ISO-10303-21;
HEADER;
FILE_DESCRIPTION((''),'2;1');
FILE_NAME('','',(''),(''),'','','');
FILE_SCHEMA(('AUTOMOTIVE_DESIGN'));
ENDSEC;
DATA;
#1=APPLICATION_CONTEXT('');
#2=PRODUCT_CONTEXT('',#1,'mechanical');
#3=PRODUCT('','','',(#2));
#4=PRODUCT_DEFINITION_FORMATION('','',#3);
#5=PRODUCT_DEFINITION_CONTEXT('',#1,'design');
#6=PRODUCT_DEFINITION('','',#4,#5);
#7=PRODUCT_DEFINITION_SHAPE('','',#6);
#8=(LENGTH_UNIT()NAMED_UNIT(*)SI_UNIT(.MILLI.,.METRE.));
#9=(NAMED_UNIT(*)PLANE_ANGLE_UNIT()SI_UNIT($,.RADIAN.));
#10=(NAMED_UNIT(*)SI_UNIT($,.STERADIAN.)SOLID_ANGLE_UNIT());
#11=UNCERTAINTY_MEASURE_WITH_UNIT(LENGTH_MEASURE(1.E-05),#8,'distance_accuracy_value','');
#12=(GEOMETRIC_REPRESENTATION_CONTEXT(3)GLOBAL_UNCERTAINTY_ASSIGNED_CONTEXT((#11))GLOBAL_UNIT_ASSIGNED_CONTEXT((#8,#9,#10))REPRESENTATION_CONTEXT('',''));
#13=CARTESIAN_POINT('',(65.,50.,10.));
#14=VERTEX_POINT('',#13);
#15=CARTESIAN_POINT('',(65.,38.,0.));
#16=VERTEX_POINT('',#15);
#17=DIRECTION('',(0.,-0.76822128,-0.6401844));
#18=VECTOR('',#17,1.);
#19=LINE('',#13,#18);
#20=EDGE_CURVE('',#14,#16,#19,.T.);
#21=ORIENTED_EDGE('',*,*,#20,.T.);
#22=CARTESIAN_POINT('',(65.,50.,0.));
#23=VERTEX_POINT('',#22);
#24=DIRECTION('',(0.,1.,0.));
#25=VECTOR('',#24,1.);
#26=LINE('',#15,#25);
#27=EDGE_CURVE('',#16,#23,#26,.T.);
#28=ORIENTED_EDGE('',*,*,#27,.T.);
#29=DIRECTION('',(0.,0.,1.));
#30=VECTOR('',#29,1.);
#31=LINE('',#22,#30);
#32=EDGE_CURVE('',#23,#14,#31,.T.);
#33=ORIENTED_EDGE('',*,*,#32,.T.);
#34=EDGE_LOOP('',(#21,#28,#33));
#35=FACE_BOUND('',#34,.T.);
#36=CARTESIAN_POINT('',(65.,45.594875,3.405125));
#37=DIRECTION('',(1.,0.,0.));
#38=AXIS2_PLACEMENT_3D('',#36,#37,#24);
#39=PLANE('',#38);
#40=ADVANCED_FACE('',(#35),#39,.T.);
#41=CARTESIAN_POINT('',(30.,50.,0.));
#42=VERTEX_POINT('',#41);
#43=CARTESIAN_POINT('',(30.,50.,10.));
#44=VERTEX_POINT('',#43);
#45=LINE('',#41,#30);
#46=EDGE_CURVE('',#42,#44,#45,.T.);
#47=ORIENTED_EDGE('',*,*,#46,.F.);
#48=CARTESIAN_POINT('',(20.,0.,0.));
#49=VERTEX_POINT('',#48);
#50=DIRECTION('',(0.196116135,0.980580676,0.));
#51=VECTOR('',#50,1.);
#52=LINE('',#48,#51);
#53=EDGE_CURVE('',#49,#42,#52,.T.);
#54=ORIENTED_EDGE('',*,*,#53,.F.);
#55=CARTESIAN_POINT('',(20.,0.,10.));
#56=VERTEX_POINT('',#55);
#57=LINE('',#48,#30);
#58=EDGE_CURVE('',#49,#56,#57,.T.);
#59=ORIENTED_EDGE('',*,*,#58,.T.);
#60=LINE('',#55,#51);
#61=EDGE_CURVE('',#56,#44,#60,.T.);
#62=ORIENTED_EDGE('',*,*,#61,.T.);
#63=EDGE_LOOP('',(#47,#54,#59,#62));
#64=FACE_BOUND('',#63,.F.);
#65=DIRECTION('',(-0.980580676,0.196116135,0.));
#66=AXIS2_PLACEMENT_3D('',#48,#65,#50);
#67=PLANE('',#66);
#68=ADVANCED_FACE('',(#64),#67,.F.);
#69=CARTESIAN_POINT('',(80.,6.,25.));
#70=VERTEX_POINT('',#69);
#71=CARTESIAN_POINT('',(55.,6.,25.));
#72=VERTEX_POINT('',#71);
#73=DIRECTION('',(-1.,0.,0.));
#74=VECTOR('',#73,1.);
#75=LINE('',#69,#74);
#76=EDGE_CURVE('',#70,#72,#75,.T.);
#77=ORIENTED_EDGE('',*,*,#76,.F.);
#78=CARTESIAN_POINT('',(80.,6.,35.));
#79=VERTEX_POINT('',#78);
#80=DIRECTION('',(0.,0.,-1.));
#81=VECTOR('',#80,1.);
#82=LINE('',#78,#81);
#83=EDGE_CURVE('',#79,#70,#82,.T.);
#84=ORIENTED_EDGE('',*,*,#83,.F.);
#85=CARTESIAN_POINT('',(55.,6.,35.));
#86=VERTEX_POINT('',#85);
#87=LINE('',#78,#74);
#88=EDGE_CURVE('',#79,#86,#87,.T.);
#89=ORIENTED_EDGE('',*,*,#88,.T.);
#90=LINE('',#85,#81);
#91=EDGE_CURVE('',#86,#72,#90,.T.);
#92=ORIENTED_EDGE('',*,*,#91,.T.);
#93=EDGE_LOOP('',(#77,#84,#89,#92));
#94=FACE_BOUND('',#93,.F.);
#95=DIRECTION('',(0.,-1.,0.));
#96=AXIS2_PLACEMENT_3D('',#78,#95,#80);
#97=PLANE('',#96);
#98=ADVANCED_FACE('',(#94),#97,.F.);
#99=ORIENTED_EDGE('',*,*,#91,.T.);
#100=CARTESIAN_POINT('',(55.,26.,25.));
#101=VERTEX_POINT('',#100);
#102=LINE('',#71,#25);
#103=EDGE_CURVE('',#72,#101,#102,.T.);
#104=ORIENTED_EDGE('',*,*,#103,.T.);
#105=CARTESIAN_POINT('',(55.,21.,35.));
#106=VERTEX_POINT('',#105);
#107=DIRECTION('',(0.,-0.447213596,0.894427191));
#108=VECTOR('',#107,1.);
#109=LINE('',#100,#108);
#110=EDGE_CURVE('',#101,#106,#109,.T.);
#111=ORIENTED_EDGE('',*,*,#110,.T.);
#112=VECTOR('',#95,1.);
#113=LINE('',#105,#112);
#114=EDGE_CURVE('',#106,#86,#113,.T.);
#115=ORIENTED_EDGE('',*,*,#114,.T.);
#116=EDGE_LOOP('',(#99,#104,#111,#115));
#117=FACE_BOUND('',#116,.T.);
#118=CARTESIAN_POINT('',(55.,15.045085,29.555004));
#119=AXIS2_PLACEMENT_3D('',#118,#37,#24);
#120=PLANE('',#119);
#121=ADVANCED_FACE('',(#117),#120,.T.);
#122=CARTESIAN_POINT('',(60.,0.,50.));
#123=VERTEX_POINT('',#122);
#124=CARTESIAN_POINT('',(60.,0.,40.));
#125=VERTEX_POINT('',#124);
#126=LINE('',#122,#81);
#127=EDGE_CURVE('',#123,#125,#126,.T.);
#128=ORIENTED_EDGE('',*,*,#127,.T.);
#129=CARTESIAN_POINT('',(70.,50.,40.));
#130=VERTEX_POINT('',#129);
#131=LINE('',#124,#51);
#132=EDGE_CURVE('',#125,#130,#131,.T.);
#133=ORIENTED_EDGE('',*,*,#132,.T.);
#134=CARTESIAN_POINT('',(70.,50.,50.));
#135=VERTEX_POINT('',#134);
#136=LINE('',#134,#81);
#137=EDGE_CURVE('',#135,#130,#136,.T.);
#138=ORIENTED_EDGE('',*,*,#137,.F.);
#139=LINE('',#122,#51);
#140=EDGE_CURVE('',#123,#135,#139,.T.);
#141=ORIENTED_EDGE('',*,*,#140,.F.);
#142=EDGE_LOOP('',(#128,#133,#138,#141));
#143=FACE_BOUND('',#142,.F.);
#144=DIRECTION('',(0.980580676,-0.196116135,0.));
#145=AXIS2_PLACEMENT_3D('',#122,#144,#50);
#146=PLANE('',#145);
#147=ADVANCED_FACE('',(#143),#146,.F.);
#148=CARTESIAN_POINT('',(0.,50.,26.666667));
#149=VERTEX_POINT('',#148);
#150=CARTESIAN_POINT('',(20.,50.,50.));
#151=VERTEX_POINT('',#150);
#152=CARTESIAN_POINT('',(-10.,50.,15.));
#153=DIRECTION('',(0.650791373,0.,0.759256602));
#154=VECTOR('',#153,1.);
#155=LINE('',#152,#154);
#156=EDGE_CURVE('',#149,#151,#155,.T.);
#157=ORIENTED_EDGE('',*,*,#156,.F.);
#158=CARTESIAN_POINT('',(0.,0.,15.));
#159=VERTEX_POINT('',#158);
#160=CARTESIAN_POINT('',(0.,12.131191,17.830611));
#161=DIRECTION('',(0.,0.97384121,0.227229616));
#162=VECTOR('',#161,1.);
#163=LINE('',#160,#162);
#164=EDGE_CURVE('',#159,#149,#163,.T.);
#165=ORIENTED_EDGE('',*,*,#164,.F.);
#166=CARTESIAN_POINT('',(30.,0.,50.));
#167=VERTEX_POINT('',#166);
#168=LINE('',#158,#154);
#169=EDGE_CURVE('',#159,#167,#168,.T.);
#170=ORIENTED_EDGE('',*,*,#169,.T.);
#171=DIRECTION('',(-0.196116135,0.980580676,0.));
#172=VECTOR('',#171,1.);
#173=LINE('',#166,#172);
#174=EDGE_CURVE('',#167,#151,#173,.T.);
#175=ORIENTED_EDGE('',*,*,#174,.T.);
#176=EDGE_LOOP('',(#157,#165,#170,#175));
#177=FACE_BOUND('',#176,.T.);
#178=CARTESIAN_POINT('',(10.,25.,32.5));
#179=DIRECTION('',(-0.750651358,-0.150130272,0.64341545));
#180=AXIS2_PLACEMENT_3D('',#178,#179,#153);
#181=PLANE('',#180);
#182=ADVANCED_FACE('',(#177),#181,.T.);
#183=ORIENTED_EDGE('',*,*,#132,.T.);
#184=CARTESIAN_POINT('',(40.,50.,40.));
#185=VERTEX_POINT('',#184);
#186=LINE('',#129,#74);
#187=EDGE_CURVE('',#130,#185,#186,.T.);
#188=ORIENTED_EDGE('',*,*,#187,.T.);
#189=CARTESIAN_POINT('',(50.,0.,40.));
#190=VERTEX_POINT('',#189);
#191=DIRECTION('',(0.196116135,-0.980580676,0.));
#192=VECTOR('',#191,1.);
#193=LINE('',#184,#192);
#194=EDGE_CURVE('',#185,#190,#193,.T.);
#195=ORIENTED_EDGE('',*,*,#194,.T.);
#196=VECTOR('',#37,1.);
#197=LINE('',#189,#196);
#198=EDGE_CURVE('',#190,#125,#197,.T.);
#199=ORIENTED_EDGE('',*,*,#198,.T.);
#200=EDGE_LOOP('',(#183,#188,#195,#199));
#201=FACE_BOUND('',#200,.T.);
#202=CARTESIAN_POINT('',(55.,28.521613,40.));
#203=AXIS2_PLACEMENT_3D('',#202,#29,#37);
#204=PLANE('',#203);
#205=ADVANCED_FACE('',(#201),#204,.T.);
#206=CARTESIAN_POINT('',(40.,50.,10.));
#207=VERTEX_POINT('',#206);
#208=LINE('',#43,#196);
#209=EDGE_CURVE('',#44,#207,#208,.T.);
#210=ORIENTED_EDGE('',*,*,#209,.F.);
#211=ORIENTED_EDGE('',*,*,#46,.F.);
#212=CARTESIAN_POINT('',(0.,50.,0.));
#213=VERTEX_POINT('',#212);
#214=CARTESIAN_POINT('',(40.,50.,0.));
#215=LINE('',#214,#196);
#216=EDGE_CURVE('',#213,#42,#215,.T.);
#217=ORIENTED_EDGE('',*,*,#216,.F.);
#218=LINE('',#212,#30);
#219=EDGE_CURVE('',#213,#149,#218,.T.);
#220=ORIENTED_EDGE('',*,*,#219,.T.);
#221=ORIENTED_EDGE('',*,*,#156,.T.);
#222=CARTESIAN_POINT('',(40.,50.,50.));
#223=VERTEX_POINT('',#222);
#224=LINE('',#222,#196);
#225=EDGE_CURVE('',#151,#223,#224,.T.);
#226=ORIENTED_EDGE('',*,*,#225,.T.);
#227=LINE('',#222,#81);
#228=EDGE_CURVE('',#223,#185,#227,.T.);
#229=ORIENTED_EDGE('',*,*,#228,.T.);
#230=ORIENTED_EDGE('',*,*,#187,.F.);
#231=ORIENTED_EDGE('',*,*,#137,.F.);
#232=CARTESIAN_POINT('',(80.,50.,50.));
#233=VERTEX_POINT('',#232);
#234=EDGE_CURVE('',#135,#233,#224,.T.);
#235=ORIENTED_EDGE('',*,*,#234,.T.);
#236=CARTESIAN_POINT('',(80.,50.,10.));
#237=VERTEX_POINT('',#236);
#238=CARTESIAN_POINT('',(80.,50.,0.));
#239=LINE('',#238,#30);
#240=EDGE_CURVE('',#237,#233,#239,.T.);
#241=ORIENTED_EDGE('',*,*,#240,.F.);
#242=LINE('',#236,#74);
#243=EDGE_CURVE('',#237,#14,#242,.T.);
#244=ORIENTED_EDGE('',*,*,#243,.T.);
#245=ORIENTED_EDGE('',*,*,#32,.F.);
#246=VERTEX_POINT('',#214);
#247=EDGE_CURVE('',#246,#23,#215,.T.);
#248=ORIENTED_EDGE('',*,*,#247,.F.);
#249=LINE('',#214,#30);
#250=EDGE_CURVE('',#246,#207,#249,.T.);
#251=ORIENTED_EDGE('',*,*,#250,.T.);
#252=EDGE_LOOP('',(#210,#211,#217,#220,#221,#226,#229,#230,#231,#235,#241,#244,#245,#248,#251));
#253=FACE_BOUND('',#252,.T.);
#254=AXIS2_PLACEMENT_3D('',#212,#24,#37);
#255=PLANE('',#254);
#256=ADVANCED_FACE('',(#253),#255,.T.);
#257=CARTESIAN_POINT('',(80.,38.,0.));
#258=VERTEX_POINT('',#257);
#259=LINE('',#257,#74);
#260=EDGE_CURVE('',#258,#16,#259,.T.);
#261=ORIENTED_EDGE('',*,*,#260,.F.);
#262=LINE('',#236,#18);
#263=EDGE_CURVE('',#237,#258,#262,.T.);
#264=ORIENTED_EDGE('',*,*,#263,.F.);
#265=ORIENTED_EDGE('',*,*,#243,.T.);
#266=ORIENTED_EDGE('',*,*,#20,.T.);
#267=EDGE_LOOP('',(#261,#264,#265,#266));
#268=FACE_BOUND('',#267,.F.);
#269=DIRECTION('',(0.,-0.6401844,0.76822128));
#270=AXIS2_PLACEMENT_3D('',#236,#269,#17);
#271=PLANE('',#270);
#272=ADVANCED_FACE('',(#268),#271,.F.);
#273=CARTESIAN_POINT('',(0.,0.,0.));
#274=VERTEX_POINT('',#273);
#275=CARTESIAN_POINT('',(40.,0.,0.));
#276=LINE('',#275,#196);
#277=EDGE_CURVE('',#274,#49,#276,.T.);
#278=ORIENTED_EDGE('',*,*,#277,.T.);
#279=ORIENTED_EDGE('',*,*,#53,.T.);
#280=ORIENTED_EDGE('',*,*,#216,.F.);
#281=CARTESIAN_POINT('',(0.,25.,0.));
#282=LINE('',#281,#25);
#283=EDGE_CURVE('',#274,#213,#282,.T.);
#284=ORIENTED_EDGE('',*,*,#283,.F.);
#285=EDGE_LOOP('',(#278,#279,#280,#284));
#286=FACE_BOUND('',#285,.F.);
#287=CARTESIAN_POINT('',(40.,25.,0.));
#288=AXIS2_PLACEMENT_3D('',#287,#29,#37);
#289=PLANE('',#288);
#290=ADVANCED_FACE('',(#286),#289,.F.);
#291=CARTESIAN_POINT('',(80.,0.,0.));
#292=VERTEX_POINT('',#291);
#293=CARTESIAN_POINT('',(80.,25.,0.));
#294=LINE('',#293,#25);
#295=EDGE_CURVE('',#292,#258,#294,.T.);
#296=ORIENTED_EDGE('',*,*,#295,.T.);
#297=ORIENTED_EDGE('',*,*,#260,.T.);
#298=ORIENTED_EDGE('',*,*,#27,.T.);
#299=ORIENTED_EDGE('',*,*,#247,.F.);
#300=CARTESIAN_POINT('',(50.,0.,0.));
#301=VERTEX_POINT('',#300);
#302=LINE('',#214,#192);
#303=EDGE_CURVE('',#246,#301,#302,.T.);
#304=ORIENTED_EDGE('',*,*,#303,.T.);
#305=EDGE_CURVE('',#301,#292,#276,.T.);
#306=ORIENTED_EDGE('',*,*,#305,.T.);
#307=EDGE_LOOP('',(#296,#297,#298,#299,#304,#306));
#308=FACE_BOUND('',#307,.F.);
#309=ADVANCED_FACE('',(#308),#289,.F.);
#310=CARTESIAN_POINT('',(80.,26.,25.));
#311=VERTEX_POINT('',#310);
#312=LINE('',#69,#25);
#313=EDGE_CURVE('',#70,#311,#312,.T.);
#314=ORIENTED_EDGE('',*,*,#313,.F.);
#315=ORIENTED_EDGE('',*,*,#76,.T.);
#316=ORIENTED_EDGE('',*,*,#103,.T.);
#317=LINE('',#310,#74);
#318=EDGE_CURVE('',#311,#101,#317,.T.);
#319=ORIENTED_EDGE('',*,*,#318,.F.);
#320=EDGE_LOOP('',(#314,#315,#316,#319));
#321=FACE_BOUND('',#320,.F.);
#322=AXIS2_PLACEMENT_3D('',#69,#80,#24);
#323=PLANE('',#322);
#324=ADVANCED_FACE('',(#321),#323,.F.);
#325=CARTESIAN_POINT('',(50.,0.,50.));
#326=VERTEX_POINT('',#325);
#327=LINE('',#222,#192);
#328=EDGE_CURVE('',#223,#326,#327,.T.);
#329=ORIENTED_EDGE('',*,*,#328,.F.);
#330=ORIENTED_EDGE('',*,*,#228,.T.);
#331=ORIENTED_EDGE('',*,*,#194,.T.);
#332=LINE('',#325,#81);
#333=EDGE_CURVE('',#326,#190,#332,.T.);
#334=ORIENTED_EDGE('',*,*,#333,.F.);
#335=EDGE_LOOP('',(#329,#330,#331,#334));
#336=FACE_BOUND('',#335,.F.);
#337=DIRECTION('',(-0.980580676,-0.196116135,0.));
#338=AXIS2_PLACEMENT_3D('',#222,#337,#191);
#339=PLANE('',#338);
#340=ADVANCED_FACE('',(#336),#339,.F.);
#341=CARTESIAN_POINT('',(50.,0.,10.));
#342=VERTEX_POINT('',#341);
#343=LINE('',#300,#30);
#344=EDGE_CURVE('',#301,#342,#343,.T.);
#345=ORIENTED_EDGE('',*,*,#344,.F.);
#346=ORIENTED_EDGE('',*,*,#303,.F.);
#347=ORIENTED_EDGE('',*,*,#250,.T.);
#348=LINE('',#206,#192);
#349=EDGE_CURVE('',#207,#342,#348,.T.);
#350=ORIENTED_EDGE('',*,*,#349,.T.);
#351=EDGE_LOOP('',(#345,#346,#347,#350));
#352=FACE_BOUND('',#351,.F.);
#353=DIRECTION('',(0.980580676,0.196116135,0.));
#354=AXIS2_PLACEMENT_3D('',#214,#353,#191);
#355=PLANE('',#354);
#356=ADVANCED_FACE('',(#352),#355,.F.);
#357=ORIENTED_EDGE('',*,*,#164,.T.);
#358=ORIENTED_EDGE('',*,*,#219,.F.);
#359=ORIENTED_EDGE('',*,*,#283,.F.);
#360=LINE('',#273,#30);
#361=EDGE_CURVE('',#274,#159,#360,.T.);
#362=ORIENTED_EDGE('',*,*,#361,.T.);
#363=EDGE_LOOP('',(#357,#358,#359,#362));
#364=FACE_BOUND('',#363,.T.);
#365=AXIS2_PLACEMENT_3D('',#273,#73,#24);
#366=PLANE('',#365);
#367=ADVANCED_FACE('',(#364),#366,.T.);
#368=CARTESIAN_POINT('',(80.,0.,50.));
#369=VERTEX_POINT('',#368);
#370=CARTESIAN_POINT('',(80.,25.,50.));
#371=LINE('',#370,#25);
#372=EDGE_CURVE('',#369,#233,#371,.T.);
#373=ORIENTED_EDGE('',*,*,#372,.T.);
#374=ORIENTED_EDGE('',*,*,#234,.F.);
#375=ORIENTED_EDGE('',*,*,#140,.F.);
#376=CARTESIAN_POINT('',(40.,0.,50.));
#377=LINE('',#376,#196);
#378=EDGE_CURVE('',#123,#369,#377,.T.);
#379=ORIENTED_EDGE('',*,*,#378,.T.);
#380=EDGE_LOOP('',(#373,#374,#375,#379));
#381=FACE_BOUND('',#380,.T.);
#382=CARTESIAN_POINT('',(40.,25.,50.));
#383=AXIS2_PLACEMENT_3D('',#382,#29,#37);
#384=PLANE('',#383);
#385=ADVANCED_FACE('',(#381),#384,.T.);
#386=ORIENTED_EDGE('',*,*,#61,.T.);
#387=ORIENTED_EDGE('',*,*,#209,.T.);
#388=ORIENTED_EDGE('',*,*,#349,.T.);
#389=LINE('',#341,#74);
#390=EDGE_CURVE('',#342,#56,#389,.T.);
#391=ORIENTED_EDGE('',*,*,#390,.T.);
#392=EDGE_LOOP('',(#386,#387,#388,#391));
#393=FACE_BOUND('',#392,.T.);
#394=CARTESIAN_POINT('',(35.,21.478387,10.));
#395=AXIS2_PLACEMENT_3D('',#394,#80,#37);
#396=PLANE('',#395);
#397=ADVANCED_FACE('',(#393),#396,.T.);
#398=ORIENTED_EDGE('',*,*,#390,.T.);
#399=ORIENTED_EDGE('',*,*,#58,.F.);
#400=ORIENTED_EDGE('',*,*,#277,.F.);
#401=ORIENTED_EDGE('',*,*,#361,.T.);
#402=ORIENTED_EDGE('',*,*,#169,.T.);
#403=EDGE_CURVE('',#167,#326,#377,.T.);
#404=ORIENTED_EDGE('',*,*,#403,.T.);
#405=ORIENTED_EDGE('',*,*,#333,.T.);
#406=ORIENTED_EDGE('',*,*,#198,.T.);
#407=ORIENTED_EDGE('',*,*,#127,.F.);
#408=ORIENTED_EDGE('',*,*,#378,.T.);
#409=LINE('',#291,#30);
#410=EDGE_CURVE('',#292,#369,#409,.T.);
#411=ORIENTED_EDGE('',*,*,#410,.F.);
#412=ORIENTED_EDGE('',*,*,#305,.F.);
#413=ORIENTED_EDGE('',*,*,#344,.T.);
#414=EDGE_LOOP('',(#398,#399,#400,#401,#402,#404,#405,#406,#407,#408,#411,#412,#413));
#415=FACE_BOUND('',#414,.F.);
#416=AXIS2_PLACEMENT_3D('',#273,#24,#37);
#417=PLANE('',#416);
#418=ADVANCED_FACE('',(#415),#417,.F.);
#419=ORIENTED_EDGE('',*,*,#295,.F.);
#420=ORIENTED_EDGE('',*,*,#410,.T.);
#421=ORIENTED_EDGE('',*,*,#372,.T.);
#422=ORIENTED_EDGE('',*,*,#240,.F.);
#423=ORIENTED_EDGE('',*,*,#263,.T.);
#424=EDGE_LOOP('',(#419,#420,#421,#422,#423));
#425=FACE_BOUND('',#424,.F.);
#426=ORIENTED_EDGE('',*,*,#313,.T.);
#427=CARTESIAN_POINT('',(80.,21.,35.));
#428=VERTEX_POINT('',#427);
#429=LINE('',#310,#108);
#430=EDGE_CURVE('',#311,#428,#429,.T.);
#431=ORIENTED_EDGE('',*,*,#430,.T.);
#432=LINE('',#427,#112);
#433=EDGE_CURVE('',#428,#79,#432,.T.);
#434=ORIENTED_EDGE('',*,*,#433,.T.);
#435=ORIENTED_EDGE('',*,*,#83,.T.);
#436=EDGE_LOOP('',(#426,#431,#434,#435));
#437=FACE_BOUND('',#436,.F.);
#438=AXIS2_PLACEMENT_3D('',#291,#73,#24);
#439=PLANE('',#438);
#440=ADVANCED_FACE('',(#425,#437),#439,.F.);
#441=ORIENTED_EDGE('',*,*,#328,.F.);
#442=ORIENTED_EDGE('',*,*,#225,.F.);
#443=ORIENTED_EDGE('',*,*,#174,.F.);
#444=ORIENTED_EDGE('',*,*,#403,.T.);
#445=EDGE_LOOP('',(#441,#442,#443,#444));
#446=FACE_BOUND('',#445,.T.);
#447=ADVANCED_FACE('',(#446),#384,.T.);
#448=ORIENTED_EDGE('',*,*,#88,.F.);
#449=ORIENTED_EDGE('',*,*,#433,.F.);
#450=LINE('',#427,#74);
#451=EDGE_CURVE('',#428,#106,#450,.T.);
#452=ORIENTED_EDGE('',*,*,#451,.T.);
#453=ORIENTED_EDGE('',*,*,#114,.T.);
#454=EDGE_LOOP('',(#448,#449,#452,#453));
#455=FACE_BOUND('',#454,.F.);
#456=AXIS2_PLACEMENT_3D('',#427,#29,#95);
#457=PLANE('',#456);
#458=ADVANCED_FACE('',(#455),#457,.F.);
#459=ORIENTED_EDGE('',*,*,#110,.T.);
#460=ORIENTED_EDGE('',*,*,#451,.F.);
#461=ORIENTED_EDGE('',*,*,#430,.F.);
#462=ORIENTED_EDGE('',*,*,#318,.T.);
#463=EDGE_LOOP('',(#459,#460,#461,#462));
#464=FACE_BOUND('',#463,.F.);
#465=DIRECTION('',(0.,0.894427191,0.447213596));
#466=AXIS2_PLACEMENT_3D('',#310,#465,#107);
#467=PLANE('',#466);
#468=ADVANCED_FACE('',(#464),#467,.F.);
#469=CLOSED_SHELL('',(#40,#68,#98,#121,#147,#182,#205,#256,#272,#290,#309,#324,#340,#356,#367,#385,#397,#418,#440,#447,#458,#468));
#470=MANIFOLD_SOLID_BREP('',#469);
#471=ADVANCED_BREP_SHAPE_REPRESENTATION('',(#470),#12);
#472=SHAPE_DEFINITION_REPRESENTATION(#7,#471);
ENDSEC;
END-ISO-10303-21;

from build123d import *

# Parameters (mm, degrees)
F0_W      = 80
F0_H      = 50
F1_DEPTH  = 50
F6_DEPTH  = 10
F8_DEPTH  = 15
F10_DEPTH = 25
F12_DEPTH = 10


with BuildPart() as f1:
    # F0 (on Top) → F1 (new body)
    with BuildSketch(Plane.XY):
        with Locations((40, 25)):
            Rectangle(F0_W, F0_H)
    extrude(amount=F1_DEPTH)

    # F4: sweep along a path in F3
    with BuildLine(Plane.XY.offset(50)) as f4_path:
        Line((30, 0), (20, 50))
    # F2 (on face) → F4 (sweep, cut)
    with BuildSketch(Plane.XZ):
        Polygon((0, 50), (0, 15), (30, 50), align=None)
    sweep(path=f4_path.line, mode=Mode.SUBTRACT)

    # F5 (on face) → F6 (cut)
    with BuildSketch(Plane(origin=(0, 0, 0), x_dir=(1, 0, 0), z_dir=(0, 0, -1))):
        Polygon((50, 0), (20, 0), (30, -50), (40, -50), align=None)
    extrude(amount=-F6_DEPTH, mode=Mode.SUBTRACT)

    # F7 (on face) → F8 (cut)
    with BuildSketch(Plane.YZ.offset(80)):
        Polygon((38, 0), (50, 0), (50, 10), align=None)
    extrude(amount=-F8_DEPTH, mode=Mode.SUBTRACT)

    # F9 (on face) → F10 (cut)
    with BuildSketch(Plane.YZ.offset(80)):
        Polygon((21, 35), (6, 35), (6, 25), (26, 25), align=None)
    extrude(amount=-F10_DEPTH, mode=Mode.SUBTRACT)

    # F11 (on face) → F12 (cut)
    with BuildSketch(Plane.XY.offset(50)):
        Polygon((40, 50), (50, 0), (60, 0), (70, 50), align=None)
    extrude(amount=-F12_DEPTH, mode=Mode.SUBTRACT)


solid = f1.part
